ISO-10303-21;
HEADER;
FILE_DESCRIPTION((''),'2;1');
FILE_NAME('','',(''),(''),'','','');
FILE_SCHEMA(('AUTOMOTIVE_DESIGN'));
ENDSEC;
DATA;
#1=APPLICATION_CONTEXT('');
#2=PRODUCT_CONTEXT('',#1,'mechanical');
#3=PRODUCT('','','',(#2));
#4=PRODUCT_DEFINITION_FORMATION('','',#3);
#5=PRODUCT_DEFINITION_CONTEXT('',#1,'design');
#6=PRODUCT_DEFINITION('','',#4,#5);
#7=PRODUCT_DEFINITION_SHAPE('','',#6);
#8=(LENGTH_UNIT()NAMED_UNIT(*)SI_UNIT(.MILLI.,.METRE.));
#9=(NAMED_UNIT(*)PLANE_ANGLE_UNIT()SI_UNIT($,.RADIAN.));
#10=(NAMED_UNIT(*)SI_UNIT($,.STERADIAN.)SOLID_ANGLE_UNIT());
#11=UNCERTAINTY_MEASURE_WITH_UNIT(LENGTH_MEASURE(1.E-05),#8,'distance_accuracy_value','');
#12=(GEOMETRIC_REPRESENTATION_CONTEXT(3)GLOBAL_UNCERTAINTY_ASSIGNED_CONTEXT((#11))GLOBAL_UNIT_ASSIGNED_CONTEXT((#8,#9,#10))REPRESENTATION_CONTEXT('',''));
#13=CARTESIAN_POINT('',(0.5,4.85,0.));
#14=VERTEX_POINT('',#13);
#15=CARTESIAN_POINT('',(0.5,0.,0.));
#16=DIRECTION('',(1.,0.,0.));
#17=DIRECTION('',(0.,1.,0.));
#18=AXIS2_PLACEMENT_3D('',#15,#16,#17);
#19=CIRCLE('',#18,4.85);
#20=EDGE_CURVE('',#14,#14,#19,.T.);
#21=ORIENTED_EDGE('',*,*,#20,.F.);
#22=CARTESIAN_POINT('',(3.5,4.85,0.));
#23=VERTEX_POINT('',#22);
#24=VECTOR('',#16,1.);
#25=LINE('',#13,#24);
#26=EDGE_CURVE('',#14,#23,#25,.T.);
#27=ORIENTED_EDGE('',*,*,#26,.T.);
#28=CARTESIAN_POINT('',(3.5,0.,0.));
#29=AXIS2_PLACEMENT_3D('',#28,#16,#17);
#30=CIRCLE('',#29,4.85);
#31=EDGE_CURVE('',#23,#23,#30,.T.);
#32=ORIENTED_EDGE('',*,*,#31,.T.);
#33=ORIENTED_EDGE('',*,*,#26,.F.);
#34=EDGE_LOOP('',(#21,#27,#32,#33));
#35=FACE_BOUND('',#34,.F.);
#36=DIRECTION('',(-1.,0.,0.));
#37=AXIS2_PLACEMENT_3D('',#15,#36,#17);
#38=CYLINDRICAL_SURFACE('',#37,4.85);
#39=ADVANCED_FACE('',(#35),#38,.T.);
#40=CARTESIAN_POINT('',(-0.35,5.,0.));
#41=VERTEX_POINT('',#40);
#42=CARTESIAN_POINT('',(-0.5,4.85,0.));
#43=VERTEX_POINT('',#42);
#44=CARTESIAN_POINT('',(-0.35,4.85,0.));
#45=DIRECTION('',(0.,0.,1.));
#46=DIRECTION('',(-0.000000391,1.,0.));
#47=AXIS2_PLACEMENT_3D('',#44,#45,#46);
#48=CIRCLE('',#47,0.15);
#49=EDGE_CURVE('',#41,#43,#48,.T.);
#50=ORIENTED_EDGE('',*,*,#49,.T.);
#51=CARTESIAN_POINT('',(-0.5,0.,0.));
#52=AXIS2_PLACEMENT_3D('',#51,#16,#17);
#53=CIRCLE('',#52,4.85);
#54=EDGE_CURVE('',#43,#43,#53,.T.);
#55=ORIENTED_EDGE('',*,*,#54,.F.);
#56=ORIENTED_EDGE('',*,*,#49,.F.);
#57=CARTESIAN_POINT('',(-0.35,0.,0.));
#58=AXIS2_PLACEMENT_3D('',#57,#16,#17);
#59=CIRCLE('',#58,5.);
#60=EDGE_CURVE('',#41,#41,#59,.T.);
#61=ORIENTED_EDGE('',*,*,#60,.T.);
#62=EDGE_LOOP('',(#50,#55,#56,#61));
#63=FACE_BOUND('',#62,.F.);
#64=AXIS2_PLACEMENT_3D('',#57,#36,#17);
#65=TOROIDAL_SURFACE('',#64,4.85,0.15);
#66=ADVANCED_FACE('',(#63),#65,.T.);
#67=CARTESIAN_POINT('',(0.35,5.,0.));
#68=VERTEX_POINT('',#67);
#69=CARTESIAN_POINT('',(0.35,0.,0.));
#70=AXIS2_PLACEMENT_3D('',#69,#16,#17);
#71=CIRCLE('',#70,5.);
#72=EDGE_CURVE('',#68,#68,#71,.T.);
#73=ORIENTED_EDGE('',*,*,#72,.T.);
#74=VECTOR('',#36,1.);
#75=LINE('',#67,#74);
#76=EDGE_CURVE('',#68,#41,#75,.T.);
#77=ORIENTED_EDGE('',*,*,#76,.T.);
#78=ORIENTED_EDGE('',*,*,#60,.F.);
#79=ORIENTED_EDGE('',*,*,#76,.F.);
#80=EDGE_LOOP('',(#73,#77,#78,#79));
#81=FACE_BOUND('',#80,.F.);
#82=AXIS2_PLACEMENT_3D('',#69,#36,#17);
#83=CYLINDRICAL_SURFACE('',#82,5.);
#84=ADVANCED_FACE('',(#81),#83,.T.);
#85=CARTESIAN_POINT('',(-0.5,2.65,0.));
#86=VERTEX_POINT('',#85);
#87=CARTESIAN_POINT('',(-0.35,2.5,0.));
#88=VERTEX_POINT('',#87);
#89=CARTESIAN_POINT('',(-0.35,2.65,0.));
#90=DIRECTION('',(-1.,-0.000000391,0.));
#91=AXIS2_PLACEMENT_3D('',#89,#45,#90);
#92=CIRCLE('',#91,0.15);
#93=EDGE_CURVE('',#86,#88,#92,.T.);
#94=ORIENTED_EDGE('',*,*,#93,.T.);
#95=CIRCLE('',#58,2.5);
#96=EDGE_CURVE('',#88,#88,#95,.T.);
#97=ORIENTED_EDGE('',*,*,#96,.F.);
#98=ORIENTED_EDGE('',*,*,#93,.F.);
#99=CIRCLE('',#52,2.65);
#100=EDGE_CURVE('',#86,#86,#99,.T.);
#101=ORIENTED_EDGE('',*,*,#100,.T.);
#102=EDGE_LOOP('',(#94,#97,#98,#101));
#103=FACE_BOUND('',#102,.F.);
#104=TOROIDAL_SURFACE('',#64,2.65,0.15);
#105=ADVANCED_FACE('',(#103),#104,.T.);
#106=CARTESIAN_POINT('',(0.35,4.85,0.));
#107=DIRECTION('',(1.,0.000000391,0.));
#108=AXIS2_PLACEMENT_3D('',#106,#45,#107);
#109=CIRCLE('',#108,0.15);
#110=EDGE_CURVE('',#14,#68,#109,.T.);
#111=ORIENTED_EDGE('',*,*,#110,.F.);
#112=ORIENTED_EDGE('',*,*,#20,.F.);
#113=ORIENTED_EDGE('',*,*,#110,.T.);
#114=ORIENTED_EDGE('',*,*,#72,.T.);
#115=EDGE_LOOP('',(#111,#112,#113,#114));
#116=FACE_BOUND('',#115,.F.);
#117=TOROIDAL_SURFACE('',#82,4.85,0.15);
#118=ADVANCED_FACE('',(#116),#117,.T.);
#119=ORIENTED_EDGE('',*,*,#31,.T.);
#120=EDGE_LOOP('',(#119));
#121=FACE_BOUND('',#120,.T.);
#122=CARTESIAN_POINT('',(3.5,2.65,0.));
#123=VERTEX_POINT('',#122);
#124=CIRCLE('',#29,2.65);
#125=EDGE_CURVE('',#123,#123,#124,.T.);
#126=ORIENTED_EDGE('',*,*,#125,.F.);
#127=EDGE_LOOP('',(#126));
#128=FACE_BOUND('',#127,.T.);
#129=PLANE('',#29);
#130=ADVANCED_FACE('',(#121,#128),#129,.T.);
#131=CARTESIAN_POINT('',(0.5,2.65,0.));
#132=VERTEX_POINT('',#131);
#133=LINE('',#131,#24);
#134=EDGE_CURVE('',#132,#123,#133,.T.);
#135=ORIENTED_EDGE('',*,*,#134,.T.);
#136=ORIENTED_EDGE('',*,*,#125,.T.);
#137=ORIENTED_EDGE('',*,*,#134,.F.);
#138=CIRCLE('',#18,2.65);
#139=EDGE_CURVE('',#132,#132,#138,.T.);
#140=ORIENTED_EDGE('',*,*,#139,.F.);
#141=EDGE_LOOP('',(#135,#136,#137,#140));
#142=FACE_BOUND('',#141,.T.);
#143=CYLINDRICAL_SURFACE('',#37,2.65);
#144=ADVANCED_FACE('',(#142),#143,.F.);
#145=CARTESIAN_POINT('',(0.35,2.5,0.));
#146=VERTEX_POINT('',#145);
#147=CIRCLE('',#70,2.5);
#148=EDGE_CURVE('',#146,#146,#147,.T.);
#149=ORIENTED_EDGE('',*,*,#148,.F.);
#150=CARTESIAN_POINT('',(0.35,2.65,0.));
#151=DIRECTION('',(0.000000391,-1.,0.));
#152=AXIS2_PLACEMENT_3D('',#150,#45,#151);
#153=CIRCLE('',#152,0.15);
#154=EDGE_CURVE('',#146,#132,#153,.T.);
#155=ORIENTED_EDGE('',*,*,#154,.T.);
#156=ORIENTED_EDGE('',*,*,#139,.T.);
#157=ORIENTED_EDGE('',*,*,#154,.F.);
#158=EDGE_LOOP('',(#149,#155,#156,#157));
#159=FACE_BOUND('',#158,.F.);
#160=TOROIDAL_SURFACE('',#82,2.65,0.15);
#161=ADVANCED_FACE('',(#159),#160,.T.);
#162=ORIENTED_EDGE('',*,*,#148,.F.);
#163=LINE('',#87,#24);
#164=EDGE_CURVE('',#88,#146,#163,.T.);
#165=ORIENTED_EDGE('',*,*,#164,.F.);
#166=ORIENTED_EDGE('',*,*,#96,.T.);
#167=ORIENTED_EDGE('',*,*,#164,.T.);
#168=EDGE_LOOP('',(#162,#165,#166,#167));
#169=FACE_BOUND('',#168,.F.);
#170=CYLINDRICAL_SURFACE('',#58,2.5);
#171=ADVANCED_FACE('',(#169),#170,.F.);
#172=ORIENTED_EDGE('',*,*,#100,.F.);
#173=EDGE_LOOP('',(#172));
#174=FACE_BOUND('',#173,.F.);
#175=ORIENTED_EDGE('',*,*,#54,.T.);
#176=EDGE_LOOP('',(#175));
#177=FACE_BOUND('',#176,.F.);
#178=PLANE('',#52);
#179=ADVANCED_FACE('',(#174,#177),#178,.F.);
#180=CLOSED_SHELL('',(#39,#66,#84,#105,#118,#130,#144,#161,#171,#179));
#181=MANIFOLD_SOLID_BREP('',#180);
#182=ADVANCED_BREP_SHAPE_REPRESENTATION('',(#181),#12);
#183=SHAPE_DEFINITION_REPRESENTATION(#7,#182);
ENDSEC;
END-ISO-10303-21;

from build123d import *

# Parameters (mm, degrees)
F1_FACE_R   = 4.85
F1_FACE_R_2 = 2.65
F2_DEPTH    = 3


with BuildPart() as f1:
    # F0 (on Top) → F1 (revolve)
    with BuildSketch(Plane.XY):
        with BuildLine():
            Line((0.35, 5), (-0.35, 5))
            ThreePointArc((-0.35, 5), (-0.456066, 4.956066), (-0.5, 4.85))
            Line((-0.5, 4.85), (-0.5, 2.65))
            ThreePointArc((-0.5, 2.65), (-0.456066, 2.543934), (-0.35, 2.5))
            Line((-0.35, 2.5), (0.35, 2.5))
            ThreePointArc((0.35, 2.5), (0.456066, 2.543934), (0.5, 2.65))
            Line((0.5, 2.65), (0.5, 4.85))
            ThreePointArc((0.5, 4.85), (0.456066, 4.956066), (0.35, 5))
        make_face()
    revolve(axis=Axis((0.25, 0, 0), (1, 0, 0)))

    # F1_face (on face) → F2 (join)
    with BuildSketch(Plane.YZ.offset(0.5)):
        Circle(F1_FACE_R)
        Circle(F1_FACE_R_2, mode=Mode.SUBTRACT)
    extrude(amount=F2_DEPTH)


solid = f1.part
